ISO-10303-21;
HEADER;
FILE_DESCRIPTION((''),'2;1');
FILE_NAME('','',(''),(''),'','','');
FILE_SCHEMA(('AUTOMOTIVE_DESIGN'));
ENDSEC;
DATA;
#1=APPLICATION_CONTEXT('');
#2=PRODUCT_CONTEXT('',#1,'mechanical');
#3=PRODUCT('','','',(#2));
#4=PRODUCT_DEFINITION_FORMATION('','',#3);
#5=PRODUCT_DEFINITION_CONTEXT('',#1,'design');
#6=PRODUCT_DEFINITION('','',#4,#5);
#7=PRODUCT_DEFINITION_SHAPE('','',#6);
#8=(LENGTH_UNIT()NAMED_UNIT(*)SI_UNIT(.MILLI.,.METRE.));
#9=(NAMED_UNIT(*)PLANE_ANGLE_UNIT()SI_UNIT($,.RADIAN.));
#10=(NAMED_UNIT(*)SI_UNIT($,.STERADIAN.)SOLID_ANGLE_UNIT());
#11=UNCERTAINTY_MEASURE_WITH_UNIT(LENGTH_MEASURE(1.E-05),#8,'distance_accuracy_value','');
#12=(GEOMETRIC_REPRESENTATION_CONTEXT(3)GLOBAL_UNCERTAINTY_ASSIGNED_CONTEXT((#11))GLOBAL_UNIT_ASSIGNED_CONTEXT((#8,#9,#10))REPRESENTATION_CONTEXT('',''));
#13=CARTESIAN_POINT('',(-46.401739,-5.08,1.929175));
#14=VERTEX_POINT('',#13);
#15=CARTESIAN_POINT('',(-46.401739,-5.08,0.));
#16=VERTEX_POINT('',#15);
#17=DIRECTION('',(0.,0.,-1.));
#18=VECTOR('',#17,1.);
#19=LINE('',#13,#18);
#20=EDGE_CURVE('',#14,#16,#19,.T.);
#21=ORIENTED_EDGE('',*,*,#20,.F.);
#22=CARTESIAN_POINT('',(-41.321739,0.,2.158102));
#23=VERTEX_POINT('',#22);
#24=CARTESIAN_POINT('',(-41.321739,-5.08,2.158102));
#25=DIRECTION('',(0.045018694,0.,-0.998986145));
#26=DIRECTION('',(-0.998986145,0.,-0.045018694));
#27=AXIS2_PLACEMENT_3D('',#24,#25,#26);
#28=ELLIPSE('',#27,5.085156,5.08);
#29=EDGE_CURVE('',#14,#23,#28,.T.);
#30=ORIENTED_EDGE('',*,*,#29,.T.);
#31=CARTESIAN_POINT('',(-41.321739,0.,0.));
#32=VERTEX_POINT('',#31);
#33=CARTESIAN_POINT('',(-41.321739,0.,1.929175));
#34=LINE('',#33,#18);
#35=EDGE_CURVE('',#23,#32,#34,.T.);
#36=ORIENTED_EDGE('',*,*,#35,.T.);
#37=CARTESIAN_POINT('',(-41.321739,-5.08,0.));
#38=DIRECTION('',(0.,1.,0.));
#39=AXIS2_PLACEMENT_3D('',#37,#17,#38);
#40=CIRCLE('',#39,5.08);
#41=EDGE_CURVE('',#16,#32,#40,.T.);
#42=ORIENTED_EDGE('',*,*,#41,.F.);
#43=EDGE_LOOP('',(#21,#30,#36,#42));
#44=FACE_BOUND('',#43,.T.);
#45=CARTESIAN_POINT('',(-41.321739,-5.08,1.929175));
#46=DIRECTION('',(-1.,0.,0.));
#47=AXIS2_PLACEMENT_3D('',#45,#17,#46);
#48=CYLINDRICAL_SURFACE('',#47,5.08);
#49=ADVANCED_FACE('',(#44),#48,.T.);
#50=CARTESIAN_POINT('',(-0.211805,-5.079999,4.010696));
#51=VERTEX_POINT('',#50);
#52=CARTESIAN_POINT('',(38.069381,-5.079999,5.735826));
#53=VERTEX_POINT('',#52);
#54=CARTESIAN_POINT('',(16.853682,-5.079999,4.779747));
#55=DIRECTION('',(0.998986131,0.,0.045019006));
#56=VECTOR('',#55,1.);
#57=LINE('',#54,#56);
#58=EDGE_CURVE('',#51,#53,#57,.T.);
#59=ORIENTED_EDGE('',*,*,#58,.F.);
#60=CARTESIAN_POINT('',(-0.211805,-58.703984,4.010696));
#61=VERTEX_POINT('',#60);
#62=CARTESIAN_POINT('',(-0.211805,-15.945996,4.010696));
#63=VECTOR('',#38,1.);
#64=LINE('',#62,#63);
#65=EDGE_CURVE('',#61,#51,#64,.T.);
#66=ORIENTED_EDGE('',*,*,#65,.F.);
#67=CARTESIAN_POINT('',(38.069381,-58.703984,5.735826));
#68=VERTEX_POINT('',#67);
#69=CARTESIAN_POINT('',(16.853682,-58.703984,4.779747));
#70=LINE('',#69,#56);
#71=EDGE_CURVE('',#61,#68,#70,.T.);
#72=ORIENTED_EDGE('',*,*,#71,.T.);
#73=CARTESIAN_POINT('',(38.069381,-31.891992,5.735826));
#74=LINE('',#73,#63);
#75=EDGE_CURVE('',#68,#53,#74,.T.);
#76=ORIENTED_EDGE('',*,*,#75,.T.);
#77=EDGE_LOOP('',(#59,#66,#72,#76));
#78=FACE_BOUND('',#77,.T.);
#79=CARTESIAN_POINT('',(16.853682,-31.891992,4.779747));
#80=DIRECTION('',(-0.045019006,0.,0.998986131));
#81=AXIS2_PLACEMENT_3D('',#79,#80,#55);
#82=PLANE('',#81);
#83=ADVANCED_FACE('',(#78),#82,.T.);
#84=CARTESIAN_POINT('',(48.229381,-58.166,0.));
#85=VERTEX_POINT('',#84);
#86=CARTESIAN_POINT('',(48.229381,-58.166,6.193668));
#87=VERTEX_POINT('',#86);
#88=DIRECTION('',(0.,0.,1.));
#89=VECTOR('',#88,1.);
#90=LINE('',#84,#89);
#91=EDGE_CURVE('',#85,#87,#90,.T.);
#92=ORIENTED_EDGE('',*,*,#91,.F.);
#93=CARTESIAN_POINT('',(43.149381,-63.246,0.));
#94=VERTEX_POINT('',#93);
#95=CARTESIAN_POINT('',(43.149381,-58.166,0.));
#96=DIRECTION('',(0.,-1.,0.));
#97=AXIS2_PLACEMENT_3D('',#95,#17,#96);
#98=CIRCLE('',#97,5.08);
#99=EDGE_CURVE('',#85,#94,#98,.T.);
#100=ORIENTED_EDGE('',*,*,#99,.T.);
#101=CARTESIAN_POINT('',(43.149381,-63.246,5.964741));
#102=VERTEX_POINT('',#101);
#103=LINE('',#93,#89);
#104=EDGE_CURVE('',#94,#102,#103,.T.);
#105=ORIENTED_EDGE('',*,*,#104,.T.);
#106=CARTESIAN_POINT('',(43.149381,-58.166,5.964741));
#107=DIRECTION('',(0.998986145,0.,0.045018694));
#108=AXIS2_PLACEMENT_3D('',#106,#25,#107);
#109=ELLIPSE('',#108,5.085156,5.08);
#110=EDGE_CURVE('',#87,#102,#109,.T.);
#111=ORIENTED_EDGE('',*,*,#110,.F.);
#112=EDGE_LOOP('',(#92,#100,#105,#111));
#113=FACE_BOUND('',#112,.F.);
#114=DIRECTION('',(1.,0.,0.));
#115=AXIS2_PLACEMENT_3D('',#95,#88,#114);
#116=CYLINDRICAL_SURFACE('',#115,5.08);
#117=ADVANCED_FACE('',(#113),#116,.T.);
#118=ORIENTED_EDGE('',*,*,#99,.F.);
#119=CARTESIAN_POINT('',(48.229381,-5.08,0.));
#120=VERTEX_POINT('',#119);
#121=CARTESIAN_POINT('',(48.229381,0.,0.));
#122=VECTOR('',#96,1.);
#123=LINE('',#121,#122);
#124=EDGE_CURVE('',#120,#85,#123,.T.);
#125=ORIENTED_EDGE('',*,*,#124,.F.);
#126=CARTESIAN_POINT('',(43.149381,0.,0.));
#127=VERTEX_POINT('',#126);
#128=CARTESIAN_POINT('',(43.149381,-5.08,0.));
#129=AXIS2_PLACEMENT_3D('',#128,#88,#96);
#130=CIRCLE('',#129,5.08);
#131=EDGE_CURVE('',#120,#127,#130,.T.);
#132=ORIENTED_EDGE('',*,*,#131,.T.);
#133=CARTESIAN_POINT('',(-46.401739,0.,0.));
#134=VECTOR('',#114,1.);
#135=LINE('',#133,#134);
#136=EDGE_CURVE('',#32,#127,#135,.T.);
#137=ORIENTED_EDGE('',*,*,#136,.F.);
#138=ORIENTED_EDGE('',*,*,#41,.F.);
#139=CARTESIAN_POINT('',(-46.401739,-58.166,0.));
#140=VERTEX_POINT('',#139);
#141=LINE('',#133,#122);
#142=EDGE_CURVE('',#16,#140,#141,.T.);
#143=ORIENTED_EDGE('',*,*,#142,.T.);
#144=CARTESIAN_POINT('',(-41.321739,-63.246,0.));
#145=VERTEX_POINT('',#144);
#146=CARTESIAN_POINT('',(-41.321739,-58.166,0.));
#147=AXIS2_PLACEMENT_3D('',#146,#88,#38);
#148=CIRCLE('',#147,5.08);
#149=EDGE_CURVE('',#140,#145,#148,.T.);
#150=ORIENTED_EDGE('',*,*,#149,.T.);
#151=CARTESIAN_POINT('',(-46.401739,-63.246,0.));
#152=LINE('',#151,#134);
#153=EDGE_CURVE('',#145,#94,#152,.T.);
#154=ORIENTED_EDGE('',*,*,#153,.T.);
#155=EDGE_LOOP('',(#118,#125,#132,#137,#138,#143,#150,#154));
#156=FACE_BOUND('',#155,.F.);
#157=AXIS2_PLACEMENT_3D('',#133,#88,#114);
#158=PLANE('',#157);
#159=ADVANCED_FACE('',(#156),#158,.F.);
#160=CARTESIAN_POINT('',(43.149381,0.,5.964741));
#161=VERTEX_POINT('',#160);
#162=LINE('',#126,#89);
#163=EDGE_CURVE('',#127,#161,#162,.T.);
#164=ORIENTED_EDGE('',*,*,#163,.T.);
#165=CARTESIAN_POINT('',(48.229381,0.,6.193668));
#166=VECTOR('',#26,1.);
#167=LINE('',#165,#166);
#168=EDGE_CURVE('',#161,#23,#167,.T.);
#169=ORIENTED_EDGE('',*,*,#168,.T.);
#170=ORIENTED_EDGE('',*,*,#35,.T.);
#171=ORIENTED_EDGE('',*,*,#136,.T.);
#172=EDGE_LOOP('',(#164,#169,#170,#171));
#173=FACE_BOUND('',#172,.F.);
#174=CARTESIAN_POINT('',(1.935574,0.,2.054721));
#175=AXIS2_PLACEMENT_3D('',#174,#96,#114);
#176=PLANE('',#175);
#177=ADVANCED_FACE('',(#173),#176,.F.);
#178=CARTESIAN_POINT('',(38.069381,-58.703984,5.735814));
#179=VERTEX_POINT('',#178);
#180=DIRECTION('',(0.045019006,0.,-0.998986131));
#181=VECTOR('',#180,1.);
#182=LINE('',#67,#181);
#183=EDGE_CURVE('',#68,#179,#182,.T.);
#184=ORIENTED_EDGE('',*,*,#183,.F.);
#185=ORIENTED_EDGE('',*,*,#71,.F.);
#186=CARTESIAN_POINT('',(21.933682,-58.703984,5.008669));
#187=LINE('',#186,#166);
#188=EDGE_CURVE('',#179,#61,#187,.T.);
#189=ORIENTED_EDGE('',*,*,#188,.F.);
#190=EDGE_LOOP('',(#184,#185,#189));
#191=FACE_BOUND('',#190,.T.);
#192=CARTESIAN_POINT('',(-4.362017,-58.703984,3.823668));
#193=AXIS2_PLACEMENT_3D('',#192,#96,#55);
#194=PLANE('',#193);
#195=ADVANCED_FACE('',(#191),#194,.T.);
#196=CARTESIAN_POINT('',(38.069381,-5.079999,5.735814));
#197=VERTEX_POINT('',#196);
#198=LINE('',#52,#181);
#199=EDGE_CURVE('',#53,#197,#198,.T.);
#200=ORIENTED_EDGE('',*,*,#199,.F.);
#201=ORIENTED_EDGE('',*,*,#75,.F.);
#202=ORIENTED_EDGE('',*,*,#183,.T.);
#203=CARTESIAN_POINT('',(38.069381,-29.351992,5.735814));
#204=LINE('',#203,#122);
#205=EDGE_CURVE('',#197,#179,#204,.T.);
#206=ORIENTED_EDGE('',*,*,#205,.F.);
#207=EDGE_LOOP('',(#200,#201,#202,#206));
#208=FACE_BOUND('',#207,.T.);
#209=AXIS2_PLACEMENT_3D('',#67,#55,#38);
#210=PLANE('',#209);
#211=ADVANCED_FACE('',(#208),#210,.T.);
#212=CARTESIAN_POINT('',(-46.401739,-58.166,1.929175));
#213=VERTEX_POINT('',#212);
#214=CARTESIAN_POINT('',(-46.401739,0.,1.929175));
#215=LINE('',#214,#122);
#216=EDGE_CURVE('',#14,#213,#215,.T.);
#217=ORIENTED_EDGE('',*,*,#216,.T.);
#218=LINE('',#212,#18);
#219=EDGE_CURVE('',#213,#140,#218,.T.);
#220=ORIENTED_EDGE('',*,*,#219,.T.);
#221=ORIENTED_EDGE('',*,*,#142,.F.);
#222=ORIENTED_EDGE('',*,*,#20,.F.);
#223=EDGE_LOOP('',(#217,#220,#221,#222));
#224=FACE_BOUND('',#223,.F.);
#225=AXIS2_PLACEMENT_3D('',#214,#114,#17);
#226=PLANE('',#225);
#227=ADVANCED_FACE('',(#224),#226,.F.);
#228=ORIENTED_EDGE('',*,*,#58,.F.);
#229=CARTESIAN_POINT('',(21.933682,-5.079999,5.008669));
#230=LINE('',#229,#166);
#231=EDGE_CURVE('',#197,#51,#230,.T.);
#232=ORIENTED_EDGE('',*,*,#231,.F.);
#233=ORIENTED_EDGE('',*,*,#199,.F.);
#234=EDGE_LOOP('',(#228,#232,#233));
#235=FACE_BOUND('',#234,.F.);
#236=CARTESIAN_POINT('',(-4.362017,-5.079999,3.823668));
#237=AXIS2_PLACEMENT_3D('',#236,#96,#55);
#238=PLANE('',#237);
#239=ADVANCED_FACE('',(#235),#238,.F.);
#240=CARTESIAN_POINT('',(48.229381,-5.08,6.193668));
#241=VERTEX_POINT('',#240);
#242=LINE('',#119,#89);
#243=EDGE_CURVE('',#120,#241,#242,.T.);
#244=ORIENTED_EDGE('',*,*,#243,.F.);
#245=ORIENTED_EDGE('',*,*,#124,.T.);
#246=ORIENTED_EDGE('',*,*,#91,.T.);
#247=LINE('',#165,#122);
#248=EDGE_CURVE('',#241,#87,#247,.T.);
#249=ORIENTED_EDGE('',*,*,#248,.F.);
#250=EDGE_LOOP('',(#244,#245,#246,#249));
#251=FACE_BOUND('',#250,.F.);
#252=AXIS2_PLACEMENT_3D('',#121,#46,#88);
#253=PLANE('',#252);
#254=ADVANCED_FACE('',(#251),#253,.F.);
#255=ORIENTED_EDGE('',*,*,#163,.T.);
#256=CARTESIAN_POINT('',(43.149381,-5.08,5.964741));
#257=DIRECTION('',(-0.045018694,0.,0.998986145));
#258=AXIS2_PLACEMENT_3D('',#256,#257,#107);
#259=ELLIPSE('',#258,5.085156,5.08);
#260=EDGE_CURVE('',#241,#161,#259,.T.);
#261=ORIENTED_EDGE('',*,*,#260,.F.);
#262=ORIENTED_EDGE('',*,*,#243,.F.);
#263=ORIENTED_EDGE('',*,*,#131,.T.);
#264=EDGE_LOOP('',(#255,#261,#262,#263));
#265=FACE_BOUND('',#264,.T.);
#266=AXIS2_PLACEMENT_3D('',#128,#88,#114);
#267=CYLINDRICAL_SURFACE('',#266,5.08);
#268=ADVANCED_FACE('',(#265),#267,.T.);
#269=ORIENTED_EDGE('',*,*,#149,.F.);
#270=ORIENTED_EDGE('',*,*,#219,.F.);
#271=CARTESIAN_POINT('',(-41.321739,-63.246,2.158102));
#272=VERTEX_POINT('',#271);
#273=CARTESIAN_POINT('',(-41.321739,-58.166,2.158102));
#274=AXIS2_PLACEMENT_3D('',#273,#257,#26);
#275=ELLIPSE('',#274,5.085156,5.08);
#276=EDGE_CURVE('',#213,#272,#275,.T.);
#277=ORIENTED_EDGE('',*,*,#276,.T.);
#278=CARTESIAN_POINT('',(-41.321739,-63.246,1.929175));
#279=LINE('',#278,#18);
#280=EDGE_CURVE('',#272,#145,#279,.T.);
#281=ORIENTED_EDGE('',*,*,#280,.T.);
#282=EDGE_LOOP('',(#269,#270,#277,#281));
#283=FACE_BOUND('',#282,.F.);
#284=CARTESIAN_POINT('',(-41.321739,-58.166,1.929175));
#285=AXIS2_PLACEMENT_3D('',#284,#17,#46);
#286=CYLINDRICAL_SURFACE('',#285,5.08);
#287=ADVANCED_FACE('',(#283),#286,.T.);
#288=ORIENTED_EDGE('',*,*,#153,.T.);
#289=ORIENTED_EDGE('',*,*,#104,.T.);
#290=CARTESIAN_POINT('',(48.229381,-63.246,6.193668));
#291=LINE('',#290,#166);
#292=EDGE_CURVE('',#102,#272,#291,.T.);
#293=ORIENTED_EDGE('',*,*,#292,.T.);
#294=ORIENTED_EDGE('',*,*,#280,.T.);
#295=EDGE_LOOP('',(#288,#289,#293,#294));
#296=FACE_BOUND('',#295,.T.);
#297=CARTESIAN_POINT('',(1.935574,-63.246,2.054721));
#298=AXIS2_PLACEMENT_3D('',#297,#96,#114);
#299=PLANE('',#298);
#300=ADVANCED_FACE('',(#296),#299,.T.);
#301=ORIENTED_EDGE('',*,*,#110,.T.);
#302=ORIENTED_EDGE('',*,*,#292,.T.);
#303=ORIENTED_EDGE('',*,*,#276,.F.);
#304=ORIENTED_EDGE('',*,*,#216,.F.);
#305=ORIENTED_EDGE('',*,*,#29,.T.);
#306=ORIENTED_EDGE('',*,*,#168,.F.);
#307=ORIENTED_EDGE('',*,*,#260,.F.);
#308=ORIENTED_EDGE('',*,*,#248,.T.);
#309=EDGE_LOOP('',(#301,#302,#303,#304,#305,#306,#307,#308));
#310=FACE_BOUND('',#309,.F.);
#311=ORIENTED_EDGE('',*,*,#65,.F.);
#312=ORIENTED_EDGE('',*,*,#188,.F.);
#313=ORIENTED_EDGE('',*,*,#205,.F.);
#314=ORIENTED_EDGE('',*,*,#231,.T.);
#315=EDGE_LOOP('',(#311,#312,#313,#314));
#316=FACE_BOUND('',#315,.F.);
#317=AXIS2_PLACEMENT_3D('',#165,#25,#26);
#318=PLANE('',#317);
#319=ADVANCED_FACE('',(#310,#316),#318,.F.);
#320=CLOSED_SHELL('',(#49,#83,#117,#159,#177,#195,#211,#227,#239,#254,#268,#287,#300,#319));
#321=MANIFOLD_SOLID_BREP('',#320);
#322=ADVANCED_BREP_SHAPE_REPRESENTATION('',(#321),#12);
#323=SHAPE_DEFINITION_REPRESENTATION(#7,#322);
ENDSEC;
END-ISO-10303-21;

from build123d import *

# Parameters (mm, degrees)
F1_DEPTH = 63.246
F2_R     = 5.08
F3_W     = 42.474462
F3_H     = 53.623985
F4_DEPTH = 1.27


with BuildPart() as f1:
    # F0 (on Front) → F1 (new body)
    with BuildSketch(Plane.XZ):
        Polygon((-46.401739, 1.929175), (-46.401739, 0), (48.229381, 0), (48.229381, 6.193668), align=None)
    extrude(amount=F1_DEPTH)

    # F2
    f2_edges = [f1.edges().sort_by_distance(p)[0] for p in [
        (48.229381, 0, 3.096834),
        (48.229381, -63.246, 3.096834),
        (-46.401739, -63.246, 0.964588),
        (-46.401739, 0, 0.964588),
    ]]
    fillet(f2_edges, radius=F2_R)

    # F3 (on face) → F4 (join)
    with BuildSketch(Plane(origin=(-0.180802, 0, 4.012093), x_dir=(0.998986, 0, 0.045019), z_dir=(-0.045019, 0, 0.998986))):
        with Locations((17.051772, -31.891992)):
            Rectangle(F3_W, F3_H)
    extrude(amount=-F4_DEPTH)


solid = f1.part
